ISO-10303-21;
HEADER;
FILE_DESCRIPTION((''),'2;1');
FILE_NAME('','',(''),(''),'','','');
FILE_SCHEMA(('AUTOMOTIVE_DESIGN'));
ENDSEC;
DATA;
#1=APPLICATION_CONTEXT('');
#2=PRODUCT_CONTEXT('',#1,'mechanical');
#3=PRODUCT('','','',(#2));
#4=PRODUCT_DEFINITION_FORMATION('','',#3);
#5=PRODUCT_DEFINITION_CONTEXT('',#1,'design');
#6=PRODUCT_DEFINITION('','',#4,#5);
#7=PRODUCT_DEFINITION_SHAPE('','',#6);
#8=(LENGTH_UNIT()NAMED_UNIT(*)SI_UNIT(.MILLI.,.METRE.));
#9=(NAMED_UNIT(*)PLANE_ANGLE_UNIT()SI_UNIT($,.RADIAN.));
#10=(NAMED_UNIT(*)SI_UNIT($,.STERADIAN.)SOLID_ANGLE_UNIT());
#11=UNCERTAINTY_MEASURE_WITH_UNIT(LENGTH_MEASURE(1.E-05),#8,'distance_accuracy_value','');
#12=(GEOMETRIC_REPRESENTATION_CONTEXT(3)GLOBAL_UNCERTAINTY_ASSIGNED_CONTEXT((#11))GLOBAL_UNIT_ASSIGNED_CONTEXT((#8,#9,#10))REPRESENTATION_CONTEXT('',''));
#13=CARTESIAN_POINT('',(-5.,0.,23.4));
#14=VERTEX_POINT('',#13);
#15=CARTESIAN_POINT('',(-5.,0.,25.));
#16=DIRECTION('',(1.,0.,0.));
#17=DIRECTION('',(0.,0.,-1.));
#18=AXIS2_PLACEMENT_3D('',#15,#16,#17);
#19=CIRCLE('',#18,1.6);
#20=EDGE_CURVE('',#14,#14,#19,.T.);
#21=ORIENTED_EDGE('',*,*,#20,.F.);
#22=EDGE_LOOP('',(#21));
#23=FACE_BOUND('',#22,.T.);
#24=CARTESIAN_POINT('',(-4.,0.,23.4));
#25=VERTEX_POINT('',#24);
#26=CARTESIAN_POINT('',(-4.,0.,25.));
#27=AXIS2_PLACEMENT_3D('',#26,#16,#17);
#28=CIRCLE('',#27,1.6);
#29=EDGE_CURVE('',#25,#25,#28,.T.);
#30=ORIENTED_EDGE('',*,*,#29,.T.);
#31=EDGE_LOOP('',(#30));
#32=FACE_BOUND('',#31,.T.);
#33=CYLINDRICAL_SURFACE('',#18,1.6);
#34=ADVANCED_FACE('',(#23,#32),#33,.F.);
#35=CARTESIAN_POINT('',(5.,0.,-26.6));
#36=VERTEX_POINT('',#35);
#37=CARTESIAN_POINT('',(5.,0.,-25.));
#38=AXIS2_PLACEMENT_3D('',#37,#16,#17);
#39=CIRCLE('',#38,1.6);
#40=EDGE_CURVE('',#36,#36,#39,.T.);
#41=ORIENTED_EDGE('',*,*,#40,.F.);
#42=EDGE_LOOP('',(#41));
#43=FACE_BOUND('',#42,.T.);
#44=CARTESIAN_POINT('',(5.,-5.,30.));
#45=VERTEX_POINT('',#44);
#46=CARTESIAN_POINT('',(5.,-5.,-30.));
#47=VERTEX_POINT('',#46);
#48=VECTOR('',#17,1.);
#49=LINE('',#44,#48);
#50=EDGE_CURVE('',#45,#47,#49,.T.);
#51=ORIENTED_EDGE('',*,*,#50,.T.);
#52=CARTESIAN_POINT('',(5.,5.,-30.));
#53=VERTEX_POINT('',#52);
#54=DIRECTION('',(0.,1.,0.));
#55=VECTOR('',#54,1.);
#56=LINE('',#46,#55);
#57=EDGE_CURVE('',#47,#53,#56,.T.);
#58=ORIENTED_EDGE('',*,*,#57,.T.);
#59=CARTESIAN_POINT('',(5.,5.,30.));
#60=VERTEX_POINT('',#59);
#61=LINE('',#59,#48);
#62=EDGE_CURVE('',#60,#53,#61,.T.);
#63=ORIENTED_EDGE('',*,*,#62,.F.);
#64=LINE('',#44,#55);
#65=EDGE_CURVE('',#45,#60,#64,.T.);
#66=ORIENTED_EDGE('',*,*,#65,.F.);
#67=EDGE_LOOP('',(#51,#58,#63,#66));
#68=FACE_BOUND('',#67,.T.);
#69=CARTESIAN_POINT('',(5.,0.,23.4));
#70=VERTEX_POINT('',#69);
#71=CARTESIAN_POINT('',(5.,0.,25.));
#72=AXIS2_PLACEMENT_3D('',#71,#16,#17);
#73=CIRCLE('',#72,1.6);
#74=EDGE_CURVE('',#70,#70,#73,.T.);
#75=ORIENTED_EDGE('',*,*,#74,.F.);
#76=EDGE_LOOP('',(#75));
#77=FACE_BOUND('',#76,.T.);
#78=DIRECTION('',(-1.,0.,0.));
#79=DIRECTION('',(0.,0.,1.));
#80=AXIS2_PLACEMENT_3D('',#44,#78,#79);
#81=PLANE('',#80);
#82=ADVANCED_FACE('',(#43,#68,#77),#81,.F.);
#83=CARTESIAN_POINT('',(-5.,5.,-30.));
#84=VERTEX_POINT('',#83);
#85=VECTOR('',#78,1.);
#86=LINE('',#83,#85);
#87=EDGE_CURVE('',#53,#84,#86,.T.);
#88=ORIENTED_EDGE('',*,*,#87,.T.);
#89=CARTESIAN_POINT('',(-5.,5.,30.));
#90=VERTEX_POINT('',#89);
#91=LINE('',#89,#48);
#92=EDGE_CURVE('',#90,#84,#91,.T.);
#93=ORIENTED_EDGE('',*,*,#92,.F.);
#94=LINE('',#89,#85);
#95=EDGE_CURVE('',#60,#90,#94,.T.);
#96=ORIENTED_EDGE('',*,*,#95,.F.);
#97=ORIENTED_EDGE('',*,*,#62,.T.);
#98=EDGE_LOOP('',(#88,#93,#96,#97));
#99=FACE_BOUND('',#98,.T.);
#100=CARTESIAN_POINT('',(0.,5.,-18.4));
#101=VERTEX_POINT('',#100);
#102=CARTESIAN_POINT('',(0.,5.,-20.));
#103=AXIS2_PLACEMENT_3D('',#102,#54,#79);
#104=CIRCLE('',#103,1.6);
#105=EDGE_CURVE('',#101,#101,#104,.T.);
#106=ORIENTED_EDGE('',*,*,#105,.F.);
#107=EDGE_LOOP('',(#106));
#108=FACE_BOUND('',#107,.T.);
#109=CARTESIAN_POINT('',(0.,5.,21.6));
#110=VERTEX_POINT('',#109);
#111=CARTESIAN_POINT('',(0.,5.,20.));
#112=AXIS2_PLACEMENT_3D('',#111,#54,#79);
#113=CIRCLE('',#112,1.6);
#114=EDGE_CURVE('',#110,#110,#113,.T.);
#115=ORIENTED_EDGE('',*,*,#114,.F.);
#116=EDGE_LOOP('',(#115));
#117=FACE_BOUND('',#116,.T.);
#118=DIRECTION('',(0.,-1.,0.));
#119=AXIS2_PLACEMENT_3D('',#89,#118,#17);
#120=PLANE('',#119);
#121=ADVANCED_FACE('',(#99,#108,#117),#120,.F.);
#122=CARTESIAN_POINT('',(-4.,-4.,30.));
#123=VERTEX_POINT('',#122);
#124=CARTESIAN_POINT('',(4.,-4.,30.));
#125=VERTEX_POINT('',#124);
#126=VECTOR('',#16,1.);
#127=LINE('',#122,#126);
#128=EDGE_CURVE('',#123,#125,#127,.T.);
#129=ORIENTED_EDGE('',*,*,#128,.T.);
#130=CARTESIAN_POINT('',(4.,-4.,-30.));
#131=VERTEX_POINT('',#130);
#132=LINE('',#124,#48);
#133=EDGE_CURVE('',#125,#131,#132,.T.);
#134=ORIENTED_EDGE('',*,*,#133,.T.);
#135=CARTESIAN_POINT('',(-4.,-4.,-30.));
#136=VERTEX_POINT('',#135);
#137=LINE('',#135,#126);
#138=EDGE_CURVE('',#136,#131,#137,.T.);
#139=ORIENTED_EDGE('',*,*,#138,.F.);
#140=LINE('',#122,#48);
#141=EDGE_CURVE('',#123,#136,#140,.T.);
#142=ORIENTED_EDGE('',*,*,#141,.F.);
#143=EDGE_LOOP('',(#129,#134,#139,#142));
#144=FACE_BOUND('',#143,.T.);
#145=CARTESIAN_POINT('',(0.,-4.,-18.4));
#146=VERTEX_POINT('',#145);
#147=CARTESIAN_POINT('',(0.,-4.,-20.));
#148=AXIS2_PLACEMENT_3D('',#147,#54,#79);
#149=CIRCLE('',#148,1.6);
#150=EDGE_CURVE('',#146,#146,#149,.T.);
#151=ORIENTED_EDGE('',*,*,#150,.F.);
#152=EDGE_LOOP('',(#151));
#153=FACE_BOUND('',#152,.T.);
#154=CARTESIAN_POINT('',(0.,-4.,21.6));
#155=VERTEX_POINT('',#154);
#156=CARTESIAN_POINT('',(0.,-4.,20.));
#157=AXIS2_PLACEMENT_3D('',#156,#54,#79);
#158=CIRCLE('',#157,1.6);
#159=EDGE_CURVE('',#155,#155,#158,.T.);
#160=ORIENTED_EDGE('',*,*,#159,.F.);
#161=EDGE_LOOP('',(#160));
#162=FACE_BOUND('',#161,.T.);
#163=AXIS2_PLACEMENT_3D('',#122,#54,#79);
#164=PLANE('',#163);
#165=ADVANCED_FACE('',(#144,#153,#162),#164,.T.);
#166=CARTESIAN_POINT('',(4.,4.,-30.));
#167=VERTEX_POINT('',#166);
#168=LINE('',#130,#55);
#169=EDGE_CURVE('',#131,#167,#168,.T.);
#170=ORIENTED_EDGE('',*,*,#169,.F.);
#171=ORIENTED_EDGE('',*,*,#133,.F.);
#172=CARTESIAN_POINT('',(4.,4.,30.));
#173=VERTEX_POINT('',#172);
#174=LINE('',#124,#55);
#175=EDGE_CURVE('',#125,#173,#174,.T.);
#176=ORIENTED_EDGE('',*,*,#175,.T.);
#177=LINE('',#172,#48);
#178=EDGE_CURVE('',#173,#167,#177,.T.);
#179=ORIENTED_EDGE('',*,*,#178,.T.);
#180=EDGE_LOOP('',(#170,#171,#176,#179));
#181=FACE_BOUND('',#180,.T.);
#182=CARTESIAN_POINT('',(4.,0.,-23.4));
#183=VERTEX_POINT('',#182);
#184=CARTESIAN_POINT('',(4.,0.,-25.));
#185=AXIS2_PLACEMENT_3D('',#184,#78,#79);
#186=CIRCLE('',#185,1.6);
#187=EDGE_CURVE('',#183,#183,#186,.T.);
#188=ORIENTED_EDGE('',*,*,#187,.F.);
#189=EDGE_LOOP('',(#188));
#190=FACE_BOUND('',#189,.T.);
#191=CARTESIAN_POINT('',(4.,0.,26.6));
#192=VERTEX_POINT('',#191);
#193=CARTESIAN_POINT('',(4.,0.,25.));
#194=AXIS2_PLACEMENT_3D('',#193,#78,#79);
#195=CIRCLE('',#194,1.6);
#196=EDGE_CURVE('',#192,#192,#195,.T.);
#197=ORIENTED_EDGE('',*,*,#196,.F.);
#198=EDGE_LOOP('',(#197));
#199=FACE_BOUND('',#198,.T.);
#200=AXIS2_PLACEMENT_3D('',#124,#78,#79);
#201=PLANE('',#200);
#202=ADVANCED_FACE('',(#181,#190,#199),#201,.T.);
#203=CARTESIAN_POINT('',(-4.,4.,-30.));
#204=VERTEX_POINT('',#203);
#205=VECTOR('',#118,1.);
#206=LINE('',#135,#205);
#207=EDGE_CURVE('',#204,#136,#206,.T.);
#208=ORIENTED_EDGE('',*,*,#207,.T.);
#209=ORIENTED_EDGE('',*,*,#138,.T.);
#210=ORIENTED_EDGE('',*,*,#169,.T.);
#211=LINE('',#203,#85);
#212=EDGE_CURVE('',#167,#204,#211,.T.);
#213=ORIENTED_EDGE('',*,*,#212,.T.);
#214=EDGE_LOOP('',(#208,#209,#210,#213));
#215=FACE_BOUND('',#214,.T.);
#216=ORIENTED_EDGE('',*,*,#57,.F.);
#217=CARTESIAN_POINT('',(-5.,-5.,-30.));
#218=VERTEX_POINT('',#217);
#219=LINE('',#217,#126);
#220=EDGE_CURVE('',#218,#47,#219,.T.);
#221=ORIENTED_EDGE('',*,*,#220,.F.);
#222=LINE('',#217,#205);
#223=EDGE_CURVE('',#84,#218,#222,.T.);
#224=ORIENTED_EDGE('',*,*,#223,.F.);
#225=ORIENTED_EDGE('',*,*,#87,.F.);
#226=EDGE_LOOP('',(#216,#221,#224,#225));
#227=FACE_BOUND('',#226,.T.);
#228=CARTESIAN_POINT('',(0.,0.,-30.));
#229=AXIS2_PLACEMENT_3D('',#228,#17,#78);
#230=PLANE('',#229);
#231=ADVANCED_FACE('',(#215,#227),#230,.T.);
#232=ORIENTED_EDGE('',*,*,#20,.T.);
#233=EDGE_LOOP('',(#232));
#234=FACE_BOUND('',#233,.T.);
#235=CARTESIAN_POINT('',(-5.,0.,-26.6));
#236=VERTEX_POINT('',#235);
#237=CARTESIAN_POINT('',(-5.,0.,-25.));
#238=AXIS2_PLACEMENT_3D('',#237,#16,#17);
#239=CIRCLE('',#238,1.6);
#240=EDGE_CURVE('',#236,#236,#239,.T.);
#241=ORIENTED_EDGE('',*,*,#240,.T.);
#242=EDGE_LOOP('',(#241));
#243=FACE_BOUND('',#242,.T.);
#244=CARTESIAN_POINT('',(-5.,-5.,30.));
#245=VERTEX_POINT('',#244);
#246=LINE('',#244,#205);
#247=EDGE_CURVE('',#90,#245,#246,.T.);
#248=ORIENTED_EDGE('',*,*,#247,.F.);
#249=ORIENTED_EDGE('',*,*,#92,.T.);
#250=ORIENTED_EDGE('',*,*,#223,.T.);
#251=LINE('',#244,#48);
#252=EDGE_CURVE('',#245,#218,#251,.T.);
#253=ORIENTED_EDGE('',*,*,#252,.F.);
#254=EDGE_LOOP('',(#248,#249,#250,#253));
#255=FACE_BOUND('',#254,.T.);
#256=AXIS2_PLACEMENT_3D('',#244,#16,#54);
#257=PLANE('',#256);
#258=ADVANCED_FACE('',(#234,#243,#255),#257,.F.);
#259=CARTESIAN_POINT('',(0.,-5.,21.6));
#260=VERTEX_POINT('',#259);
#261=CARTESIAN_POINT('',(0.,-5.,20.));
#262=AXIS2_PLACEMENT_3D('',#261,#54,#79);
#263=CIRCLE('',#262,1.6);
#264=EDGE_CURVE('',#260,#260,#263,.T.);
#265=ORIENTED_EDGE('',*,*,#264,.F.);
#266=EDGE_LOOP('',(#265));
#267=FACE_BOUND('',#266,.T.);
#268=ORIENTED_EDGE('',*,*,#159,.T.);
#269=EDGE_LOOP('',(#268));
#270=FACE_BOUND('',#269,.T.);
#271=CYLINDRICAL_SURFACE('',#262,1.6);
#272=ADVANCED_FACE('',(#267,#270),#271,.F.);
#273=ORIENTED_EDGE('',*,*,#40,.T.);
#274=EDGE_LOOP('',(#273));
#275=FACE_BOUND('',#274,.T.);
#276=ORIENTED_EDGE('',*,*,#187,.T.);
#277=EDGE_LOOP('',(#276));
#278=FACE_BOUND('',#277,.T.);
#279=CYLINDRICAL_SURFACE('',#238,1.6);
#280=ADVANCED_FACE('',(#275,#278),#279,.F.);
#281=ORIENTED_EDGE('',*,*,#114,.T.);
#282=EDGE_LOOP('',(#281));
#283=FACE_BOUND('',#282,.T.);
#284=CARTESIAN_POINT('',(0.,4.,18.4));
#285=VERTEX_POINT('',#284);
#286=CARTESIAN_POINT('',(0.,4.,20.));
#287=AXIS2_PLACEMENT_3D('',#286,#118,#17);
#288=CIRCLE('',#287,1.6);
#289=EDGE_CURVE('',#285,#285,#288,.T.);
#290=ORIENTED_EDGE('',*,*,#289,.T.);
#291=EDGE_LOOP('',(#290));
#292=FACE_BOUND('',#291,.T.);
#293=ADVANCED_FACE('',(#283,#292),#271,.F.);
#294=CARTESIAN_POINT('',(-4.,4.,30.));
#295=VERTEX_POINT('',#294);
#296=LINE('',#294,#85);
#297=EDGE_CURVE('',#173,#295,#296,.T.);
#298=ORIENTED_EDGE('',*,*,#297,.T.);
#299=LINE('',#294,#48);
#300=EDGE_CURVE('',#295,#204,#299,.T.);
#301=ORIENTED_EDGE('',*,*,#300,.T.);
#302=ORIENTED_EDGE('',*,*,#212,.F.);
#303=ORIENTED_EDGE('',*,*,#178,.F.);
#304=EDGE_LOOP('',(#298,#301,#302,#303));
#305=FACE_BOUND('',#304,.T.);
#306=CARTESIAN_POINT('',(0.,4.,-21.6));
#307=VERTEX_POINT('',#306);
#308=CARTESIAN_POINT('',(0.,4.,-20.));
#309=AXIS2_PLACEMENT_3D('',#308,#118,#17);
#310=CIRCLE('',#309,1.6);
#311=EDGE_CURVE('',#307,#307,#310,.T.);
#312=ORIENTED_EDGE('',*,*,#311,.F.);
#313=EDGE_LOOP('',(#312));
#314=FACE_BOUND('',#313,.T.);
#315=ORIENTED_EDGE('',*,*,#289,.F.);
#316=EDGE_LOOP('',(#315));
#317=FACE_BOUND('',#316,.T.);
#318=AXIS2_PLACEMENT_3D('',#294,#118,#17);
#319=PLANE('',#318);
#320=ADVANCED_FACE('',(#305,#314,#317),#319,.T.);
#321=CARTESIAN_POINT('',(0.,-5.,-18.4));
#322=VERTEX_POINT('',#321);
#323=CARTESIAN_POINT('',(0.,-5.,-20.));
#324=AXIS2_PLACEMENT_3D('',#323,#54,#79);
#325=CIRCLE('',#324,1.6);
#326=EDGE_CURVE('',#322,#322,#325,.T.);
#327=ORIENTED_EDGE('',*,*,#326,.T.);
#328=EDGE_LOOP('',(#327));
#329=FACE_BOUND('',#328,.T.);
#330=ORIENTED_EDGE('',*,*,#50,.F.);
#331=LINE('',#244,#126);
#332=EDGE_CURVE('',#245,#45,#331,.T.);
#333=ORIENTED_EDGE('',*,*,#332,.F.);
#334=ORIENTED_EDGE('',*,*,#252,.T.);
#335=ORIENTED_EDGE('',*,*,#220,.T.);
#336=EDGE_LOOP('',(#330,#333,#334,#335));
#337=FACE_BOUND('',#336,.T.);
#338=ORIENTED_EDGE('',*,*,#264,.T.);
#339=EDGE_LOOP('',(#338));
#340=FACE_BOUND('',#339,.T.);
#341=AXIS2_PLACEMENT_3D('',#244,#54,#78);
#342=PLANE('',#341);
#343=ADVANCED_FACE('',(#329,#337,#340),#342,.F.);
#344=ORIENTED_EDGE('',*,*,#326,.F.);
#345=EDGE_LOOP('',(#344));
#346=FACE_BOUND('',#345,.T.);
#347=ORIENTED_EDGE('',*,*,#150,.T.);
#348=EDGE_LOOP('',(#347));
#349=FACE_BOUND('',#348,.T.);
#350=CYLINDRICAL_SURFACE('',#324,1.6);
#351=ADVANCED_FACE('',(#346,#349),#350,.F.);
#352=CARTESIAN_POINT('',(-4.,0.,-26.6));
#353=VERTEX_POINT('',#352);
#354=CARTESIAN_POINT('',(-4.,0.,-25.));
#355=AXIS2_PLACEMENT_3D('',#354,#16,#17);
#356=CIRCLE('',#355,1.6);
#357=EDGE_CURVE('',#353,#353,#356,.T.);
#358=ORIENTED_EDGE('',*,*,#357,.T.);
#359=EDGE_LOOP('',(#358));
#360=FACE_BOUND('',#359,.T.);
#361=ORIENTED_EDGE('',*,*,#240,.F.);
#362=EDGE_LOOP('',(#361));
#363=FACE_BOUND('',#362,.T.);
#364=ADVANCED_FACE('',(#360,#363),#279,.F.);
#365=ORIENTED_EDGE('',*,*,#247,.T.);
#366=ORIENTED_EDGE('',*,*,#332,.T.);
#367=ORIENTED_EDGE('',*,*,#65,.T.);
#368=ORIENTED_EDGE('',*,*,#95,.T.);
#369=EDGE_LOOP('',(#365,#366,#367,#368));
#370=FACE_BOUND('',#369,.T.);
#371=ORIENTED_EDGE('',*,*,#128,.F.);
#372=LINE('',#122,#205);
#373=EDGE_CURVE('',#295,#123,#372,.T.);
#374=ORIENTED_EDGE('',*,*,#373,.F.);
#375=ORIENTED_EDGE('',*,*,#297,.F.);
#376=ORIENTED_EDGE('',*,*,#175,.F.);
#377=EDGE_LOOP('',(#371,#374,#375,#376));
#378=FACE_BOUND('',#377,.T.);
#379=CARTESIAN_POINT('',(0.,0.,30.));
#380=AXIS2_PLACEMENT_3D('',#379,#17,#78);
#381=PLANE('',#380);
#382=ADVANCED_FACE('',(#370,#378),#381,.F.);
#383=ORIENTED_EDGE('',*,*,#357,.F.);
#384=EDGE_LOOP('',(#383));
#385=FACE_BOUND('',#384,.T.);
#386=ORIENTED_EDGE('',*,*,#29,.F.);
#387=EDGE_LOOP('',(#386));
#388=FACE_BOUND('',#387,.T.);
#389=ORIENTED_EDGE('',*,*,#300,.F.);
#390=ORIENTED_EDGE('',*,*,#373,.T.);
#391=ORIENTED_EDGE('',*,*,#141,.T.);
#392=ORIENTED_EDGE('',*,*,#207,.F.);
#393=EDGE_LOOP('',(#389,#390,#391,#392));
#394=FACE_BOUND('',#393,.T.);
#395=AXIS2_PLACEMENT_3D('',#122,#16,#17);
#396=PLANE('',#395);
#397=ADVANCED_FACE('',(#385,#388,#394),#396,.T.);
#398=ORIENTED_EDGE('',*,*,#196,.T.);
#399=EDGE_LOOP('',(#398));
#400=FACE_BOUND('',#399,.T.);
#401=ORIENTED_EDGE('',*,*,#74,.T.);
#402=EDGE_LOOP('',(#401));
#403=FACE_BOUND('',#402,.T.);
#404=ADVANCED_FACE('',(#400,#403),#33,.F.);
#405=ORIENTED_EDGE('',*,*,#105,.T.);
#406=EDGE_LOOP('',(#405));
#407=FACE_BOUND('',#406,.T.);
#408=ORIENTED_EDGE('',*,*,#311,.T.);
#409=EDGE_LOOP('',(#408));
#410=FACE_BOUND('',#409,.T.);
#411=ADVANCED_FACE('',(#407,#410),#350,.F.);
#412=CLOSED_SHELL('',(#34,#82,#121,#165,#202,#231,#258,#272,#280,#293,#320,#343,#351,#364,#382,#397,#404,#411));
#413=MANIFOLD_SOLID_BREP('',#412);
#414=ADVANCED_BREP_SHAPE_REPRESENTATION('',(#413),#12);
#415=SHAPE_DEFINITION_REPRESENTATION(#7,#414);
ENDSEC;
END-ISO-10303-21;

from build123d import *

# Parameters (mm, degrees)
SKETCH_1_W          = 10
SKETCH_1_H          = 10
SKETCH_1_W_2        = 8
SKETCH_1_H_2        = 8
EXTRUDE_1_DEPTH     = 30
SKETCH_3_R          = 1.6
CUT_EXTRUDE_1_DEPTH = 11
SKETCH_4_R          = 1.6
CUT_EXTRUDE_2_DEPTH = 11


with BuildPart() as part:
    # ｽｹｯﾁ1 → ﾎﾞｽ - 押し出し1 (new body, symmetric)
    with BuildSketch(Plane.XY):
        Rectangle(SKETCH_1_W, SKETCH_1_H)
        Rectangle(SKETCH_1_W_2, SKETCH_1_H_2, mode=Mode.SUBTRACT)
    extrude(amount=EXTRUDE_1_DEPTH, both=True)

    # ｽｹｯﾁ3 → ｶｯﾄ - 押し出し1 (cut, through all)
    with BuildSketch(Plane(origin=(5, 0, 0), x_dir=(0, 0, -1), z_dir=(1, 0, 0))):
        with Locations((-25, 0)):
            Circle(SKETCH_3_R)
        with Locations((25, 0)):
            Circle(SKETCH_3_R)
    extrude(amount=-CUT_EXTRUDE_1_DEPTH, mode=Mode.SUBTRACT)

    # ｽｹｯﾁ4 → ｶｯﾄ - 押し出し2 (cut, through all)
    with BuildSketch(Plane(origin=(0, 5, 0), x_dir=(1, 0, 0), z_dir=(0, 1, 0))):
        with Locations((0, -20)):
            Circle(SKETCH_4_R)
        with Locations((0, 20)):
            Circle(SKETCH_4_R)
    extrude(amount=-CUT_EXTRUDE_2_DEPTH, mode=Mode.SUBTRACT)


solid = part.part
